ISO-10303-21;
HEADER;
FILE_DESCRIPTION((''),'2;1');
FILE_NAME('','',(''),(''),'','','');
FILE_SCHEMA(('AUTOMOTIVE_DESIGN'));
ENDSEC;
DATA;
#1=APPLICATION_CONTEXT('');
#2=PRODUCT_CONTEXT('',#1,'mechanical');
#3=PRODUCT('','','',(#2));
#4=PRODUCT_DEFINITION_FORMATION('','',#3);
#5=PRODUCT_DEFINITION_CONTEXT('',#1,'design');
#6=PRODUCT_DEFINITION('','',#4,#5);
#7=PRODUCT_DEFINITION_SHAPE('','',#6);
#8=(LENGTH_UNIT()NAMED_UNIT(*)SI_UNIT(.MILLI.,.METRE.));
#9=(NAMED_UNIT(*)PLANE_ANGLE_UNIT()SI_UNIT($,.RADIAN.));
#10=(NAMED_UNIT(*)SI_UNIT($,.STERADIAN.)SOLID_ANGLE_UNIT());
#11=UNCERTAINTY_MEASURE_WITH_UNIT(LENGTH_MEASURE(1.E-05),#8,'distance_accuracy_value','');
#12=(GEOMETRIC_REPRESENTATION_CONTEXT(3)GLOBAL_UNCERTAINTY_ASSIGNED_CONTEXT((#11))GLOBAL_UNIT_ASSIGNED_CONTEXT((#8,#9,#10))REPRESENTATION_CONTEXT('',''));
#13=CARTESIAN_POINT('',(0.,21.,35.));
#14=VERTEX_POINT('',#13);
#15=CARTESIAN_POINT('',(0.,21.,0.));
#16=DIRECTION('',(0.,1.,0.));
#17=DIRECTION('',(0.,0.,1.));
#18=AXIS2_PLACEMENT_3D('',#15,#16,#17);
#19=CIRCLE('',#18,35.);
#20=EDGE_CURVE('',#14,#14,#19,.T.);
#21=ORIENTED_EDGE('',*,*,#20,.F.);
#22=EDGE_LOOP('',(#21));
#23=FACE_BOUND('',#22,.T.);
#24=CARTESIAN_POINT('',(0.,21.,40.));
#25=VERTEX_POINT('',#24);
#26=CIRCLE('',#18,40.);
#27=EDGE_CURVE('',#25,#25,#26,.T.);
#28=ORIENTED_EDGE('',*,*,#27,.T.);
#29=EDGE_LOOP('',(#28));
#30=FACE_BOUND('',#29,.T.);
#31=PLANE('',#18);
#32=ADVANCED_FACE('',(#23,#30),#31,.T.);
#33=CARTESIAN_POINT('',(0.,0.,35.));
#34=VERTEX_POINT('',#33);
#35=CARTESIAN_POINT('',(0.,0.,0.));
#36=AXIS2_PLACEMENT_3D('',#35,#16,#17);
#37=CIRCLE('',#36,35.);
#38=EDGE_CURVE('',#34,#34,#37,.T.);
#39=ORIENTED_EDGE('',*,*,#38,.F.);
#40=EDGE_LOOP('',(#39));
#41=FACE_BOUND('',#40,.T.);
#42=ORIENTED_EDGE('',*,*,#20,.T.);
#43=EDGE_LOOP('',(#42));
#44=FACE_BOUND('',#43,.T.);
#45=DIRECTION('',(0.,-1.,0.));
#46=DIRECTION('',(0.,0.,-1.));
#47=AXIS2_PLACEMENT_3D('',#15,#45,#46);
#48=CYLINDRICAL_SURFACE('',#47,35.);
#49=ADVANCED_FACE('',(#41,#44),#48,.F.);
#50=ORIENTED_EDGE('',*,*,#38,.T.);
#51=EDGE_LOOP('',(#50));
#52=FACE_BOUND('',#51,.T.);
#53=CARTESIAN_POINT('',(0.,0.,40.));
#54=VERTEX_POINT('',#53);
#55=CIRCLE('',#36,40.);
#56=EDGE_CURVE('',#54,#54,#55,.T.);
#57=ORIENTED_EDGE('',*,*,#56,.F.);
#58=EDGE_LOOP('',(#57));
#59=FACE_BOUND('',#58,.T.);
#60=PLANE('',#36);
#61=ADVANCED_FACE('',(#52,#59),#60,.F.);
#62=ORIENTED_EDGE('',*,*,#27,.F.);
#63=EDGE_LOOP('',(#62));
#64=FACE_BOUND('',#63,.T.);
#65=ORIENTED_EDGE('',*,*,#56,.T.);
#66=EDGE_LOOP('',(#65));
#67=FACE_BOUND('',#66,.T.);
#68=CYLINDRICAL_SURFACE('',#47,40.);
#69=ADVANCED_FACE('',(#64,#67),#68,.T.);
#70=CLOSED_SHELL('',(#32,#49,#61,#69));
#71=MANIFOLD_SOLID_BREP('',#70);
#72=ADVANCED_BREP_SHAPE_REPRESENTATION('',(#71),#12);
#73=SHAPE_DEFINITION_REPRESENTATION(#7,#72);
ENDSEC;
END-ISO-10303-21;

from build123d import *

# Parameters (mm, degrees)
SKETCH_1_R      = 40
SKETCH_1_R_2    = 35
EXTRUDE_1_DEPTH = 21


with BuildPart() as part:
    # Эскиз1 → Бобышка-Вытянуть1 (new body)
    with BuildSketch(Plane(origin=(0, 0, 0), x_dir=(1, 0, 0), z_dir=(0, 1, 0))):
        with Locations(Location((0, 0, 0), (0, 0, 270))):
            Circle(SKETCH_1_R)
        with Locations(Location((0, 0, 0), (0, 0, 270))):
            Circle(SKETCH_1_R_2, mode=Mode.SUBTRACT)
    extrude(amount=EXTRUDE_1_DEPTH)


solid = part.part
